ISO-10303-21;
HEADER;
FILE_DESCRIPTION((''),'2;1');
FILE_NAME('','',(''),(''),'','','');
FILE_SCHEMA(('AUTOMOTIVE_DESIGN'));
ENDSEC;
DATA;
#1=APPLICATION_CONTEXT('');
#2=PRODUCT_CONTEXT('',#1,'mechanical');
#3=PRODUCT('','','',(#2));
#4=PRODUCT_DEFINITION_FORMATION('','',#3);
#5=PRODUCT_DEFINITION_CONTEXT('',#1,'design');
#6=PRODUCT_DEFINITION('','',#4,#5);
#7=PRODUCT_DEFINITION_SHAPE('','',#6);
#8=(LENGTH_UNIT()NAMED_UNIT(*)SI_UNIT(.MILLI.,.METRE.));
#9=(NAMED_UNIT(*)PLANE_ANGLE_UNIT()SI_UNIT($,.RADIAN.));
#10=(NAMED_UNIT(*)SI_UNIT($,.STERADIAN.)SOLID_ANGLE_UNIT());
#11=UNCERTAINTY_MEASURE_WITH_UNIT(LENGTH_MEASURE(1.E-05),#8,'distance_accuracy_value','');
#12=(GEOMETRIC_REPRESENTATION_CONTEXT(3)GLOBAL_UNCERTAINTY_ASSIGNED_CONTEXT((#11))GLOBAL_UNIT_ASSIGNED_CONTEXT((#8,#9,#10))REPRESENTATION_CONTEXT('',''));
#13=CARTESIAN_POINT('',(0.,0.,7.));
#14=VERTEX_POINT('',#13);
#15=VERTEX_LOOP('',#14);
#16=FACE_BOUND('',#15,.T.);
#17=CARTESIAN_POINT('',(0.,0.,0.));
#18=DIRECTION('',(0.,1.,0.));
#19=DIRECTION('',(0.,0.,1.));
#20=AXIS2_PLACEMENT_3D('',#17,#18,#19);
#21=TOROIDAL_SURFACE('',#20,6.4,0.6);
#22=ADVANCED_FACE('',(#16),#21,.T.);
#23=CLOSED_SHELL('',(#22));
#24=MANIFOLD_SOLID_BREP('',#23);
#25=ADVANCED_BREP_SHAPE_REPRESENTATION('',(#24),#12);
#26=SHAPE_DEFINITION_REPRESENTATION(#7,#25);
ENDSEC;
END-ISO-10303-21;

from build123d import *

# Parameters (mm, degrees)
ESQUISSE1_R = 0.6


with BuildPart() as part:
    # Esquisse1 → Base-Révolution (revolve)
    with BuildSketch(Plane.XY, mode=Mode.PRIVATE) as base_r_volution_sk:
        with Locations((6.4, 0)):
            Circle(ESQUISSE1_R)
    revolve(base_r_volution_sk.sketch.rotate(Axis((0, 13.171313942, 0), (0, -1, 0)), 90), axis=Axis((0, 13.171313942, 0), (0, -1, 0)))


solid = part.part
